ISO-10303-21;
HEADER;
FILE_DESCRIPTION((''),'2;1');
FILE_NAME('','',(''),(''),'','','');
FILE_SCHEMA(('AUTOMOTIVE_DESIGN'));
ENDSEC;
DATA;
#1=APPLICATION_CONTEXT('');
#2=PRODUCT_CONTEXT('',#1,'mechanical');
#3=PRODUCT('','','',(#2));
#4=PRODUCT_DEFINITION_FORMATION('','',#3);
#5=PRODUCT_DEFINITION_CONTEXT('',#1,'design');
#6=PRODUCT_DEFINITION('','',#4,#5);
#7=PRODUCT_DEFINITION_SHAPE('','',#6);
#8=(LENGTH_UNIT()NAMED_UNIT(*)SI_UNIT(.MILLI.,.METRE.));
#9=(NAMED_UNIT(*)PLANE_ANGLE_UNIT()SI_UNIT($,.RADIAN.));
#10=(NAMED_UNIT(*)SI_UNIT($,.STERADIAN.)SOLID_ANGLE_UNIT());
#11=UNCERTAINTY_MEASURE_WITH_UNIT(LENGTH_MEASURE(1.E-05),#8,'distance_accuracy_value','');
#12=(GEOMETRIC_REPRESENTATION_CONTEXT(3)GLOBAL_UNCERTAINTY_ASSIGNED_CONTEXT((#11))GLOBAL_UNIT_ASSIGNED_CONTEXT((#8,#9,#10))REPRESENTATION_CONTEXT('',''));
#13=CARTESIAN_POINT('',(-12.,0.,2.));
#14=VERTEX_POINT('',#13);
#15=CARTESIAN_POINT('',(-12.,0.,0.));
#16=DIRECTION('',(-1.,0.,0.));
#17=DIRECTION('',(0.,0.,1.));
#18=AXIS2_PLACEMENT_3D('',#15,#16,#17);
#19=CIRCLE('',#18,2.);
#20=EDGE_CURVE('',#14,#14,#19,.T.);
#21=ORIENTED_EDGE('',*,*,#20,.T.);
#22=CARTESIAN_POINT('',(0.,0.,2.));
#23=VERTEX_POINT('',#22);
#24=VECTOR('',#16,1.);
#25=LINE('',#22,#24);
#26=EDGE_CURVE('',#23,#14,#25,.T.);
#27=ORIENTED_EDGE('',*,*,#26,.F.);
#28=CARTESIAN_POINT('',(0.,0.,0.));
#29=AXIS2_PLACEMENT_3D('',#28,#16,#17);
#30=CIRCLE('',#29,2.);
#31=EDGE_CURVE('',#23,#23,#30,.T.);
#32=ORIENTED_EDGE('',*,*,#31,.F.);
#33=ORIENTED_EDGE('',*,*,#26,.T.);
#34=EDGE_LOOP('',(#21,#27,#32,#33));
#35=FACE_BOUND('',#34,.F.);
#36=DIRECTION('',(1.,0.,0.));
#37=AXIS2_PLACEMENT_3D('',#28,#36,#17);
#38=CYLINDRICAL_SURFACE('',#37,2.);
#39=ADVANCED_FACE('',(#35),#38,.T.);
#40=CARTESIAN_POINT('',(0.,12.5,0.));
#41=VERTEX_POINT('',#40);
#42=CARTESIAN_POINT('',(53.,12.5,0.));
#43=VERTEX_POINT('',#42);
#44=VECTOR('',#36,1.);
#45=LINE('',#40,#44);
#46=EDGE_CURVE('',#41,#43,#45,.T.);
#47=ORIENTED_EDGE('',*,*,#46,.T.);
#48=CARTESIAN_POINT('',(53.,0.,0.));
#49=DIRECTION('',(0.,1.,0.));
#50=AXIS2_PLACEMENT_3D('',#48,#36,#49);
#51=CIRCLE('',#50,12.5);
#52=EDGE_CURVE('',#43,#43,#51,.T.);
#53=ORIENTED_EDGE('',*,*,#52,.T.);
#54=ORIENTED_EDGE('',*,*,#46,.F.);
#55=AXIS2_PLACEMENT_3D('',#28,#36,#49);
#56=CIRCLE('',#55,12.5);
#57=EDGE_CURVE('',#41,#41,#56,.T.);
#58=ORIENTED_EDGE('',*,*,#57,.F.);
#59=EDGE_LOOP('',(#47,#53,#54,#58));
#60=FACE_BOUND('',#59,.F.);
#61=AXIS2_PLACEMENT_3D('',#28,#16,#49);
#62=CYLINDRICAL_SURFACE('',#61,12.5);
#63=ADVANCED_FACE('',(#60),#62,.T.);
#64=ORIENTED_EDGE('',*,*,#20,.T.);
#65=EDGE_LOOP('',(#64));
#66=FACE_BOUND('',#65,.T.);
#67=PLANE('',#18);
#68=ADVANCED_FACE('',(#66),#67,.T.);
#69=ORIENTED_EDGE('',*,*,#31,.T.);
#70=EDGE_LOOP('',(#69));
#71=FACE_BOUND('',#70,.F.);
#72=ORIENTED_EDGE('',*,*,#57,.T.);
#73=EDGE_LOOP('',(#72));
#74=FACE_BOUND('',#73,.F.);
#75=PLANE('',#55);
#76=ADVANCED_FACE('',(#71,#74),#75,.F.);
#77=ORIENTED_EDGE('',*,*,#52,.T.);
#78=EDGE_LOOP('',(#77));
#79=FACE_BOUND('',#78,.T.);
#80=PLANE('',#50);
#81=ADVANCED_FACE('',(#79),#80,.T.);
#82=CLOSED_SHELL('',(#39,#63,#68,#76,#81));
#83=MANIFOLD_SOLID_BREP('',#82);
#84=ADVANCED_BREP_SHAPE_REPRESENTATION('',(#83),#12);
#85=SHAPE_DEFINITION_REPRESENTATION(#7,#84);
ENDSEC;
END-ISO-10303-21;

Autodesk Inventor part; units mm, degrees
ref_plane "YZ Plane" through (0, 0, 0) normal (1, 0, 0) x (0, 1, 0)
ref_plane "XZ Plane" through (0, 0, 0) normal (0, 1, 0) x (-1, 0, 0)
sketch "Skizze2" plane through (0, 0, 0) normal (1, 0, 0) x (0, 1, 0)
  circle A0 centre (0, 0) radius 12.5
  dimension "d0" = 25
extrude "Extrusion1" add sketch "Skizze2" along normal blind 53
sketch "Skizze3" plane through (0, 0, 0) normal (-1, 0, 0) x (0, 0, 1)
  circle A0 centre (0, 0) radius 2
  dimension "d3" = 4
extrude "Extrusion2" add sketch "Skizze3" along normal blind 12
ref_plane "Arbeitsebene2" through (0, 0, 0) normal (0, 0, 1) x (1, 0, 0)
properties part number "DcMotor"
